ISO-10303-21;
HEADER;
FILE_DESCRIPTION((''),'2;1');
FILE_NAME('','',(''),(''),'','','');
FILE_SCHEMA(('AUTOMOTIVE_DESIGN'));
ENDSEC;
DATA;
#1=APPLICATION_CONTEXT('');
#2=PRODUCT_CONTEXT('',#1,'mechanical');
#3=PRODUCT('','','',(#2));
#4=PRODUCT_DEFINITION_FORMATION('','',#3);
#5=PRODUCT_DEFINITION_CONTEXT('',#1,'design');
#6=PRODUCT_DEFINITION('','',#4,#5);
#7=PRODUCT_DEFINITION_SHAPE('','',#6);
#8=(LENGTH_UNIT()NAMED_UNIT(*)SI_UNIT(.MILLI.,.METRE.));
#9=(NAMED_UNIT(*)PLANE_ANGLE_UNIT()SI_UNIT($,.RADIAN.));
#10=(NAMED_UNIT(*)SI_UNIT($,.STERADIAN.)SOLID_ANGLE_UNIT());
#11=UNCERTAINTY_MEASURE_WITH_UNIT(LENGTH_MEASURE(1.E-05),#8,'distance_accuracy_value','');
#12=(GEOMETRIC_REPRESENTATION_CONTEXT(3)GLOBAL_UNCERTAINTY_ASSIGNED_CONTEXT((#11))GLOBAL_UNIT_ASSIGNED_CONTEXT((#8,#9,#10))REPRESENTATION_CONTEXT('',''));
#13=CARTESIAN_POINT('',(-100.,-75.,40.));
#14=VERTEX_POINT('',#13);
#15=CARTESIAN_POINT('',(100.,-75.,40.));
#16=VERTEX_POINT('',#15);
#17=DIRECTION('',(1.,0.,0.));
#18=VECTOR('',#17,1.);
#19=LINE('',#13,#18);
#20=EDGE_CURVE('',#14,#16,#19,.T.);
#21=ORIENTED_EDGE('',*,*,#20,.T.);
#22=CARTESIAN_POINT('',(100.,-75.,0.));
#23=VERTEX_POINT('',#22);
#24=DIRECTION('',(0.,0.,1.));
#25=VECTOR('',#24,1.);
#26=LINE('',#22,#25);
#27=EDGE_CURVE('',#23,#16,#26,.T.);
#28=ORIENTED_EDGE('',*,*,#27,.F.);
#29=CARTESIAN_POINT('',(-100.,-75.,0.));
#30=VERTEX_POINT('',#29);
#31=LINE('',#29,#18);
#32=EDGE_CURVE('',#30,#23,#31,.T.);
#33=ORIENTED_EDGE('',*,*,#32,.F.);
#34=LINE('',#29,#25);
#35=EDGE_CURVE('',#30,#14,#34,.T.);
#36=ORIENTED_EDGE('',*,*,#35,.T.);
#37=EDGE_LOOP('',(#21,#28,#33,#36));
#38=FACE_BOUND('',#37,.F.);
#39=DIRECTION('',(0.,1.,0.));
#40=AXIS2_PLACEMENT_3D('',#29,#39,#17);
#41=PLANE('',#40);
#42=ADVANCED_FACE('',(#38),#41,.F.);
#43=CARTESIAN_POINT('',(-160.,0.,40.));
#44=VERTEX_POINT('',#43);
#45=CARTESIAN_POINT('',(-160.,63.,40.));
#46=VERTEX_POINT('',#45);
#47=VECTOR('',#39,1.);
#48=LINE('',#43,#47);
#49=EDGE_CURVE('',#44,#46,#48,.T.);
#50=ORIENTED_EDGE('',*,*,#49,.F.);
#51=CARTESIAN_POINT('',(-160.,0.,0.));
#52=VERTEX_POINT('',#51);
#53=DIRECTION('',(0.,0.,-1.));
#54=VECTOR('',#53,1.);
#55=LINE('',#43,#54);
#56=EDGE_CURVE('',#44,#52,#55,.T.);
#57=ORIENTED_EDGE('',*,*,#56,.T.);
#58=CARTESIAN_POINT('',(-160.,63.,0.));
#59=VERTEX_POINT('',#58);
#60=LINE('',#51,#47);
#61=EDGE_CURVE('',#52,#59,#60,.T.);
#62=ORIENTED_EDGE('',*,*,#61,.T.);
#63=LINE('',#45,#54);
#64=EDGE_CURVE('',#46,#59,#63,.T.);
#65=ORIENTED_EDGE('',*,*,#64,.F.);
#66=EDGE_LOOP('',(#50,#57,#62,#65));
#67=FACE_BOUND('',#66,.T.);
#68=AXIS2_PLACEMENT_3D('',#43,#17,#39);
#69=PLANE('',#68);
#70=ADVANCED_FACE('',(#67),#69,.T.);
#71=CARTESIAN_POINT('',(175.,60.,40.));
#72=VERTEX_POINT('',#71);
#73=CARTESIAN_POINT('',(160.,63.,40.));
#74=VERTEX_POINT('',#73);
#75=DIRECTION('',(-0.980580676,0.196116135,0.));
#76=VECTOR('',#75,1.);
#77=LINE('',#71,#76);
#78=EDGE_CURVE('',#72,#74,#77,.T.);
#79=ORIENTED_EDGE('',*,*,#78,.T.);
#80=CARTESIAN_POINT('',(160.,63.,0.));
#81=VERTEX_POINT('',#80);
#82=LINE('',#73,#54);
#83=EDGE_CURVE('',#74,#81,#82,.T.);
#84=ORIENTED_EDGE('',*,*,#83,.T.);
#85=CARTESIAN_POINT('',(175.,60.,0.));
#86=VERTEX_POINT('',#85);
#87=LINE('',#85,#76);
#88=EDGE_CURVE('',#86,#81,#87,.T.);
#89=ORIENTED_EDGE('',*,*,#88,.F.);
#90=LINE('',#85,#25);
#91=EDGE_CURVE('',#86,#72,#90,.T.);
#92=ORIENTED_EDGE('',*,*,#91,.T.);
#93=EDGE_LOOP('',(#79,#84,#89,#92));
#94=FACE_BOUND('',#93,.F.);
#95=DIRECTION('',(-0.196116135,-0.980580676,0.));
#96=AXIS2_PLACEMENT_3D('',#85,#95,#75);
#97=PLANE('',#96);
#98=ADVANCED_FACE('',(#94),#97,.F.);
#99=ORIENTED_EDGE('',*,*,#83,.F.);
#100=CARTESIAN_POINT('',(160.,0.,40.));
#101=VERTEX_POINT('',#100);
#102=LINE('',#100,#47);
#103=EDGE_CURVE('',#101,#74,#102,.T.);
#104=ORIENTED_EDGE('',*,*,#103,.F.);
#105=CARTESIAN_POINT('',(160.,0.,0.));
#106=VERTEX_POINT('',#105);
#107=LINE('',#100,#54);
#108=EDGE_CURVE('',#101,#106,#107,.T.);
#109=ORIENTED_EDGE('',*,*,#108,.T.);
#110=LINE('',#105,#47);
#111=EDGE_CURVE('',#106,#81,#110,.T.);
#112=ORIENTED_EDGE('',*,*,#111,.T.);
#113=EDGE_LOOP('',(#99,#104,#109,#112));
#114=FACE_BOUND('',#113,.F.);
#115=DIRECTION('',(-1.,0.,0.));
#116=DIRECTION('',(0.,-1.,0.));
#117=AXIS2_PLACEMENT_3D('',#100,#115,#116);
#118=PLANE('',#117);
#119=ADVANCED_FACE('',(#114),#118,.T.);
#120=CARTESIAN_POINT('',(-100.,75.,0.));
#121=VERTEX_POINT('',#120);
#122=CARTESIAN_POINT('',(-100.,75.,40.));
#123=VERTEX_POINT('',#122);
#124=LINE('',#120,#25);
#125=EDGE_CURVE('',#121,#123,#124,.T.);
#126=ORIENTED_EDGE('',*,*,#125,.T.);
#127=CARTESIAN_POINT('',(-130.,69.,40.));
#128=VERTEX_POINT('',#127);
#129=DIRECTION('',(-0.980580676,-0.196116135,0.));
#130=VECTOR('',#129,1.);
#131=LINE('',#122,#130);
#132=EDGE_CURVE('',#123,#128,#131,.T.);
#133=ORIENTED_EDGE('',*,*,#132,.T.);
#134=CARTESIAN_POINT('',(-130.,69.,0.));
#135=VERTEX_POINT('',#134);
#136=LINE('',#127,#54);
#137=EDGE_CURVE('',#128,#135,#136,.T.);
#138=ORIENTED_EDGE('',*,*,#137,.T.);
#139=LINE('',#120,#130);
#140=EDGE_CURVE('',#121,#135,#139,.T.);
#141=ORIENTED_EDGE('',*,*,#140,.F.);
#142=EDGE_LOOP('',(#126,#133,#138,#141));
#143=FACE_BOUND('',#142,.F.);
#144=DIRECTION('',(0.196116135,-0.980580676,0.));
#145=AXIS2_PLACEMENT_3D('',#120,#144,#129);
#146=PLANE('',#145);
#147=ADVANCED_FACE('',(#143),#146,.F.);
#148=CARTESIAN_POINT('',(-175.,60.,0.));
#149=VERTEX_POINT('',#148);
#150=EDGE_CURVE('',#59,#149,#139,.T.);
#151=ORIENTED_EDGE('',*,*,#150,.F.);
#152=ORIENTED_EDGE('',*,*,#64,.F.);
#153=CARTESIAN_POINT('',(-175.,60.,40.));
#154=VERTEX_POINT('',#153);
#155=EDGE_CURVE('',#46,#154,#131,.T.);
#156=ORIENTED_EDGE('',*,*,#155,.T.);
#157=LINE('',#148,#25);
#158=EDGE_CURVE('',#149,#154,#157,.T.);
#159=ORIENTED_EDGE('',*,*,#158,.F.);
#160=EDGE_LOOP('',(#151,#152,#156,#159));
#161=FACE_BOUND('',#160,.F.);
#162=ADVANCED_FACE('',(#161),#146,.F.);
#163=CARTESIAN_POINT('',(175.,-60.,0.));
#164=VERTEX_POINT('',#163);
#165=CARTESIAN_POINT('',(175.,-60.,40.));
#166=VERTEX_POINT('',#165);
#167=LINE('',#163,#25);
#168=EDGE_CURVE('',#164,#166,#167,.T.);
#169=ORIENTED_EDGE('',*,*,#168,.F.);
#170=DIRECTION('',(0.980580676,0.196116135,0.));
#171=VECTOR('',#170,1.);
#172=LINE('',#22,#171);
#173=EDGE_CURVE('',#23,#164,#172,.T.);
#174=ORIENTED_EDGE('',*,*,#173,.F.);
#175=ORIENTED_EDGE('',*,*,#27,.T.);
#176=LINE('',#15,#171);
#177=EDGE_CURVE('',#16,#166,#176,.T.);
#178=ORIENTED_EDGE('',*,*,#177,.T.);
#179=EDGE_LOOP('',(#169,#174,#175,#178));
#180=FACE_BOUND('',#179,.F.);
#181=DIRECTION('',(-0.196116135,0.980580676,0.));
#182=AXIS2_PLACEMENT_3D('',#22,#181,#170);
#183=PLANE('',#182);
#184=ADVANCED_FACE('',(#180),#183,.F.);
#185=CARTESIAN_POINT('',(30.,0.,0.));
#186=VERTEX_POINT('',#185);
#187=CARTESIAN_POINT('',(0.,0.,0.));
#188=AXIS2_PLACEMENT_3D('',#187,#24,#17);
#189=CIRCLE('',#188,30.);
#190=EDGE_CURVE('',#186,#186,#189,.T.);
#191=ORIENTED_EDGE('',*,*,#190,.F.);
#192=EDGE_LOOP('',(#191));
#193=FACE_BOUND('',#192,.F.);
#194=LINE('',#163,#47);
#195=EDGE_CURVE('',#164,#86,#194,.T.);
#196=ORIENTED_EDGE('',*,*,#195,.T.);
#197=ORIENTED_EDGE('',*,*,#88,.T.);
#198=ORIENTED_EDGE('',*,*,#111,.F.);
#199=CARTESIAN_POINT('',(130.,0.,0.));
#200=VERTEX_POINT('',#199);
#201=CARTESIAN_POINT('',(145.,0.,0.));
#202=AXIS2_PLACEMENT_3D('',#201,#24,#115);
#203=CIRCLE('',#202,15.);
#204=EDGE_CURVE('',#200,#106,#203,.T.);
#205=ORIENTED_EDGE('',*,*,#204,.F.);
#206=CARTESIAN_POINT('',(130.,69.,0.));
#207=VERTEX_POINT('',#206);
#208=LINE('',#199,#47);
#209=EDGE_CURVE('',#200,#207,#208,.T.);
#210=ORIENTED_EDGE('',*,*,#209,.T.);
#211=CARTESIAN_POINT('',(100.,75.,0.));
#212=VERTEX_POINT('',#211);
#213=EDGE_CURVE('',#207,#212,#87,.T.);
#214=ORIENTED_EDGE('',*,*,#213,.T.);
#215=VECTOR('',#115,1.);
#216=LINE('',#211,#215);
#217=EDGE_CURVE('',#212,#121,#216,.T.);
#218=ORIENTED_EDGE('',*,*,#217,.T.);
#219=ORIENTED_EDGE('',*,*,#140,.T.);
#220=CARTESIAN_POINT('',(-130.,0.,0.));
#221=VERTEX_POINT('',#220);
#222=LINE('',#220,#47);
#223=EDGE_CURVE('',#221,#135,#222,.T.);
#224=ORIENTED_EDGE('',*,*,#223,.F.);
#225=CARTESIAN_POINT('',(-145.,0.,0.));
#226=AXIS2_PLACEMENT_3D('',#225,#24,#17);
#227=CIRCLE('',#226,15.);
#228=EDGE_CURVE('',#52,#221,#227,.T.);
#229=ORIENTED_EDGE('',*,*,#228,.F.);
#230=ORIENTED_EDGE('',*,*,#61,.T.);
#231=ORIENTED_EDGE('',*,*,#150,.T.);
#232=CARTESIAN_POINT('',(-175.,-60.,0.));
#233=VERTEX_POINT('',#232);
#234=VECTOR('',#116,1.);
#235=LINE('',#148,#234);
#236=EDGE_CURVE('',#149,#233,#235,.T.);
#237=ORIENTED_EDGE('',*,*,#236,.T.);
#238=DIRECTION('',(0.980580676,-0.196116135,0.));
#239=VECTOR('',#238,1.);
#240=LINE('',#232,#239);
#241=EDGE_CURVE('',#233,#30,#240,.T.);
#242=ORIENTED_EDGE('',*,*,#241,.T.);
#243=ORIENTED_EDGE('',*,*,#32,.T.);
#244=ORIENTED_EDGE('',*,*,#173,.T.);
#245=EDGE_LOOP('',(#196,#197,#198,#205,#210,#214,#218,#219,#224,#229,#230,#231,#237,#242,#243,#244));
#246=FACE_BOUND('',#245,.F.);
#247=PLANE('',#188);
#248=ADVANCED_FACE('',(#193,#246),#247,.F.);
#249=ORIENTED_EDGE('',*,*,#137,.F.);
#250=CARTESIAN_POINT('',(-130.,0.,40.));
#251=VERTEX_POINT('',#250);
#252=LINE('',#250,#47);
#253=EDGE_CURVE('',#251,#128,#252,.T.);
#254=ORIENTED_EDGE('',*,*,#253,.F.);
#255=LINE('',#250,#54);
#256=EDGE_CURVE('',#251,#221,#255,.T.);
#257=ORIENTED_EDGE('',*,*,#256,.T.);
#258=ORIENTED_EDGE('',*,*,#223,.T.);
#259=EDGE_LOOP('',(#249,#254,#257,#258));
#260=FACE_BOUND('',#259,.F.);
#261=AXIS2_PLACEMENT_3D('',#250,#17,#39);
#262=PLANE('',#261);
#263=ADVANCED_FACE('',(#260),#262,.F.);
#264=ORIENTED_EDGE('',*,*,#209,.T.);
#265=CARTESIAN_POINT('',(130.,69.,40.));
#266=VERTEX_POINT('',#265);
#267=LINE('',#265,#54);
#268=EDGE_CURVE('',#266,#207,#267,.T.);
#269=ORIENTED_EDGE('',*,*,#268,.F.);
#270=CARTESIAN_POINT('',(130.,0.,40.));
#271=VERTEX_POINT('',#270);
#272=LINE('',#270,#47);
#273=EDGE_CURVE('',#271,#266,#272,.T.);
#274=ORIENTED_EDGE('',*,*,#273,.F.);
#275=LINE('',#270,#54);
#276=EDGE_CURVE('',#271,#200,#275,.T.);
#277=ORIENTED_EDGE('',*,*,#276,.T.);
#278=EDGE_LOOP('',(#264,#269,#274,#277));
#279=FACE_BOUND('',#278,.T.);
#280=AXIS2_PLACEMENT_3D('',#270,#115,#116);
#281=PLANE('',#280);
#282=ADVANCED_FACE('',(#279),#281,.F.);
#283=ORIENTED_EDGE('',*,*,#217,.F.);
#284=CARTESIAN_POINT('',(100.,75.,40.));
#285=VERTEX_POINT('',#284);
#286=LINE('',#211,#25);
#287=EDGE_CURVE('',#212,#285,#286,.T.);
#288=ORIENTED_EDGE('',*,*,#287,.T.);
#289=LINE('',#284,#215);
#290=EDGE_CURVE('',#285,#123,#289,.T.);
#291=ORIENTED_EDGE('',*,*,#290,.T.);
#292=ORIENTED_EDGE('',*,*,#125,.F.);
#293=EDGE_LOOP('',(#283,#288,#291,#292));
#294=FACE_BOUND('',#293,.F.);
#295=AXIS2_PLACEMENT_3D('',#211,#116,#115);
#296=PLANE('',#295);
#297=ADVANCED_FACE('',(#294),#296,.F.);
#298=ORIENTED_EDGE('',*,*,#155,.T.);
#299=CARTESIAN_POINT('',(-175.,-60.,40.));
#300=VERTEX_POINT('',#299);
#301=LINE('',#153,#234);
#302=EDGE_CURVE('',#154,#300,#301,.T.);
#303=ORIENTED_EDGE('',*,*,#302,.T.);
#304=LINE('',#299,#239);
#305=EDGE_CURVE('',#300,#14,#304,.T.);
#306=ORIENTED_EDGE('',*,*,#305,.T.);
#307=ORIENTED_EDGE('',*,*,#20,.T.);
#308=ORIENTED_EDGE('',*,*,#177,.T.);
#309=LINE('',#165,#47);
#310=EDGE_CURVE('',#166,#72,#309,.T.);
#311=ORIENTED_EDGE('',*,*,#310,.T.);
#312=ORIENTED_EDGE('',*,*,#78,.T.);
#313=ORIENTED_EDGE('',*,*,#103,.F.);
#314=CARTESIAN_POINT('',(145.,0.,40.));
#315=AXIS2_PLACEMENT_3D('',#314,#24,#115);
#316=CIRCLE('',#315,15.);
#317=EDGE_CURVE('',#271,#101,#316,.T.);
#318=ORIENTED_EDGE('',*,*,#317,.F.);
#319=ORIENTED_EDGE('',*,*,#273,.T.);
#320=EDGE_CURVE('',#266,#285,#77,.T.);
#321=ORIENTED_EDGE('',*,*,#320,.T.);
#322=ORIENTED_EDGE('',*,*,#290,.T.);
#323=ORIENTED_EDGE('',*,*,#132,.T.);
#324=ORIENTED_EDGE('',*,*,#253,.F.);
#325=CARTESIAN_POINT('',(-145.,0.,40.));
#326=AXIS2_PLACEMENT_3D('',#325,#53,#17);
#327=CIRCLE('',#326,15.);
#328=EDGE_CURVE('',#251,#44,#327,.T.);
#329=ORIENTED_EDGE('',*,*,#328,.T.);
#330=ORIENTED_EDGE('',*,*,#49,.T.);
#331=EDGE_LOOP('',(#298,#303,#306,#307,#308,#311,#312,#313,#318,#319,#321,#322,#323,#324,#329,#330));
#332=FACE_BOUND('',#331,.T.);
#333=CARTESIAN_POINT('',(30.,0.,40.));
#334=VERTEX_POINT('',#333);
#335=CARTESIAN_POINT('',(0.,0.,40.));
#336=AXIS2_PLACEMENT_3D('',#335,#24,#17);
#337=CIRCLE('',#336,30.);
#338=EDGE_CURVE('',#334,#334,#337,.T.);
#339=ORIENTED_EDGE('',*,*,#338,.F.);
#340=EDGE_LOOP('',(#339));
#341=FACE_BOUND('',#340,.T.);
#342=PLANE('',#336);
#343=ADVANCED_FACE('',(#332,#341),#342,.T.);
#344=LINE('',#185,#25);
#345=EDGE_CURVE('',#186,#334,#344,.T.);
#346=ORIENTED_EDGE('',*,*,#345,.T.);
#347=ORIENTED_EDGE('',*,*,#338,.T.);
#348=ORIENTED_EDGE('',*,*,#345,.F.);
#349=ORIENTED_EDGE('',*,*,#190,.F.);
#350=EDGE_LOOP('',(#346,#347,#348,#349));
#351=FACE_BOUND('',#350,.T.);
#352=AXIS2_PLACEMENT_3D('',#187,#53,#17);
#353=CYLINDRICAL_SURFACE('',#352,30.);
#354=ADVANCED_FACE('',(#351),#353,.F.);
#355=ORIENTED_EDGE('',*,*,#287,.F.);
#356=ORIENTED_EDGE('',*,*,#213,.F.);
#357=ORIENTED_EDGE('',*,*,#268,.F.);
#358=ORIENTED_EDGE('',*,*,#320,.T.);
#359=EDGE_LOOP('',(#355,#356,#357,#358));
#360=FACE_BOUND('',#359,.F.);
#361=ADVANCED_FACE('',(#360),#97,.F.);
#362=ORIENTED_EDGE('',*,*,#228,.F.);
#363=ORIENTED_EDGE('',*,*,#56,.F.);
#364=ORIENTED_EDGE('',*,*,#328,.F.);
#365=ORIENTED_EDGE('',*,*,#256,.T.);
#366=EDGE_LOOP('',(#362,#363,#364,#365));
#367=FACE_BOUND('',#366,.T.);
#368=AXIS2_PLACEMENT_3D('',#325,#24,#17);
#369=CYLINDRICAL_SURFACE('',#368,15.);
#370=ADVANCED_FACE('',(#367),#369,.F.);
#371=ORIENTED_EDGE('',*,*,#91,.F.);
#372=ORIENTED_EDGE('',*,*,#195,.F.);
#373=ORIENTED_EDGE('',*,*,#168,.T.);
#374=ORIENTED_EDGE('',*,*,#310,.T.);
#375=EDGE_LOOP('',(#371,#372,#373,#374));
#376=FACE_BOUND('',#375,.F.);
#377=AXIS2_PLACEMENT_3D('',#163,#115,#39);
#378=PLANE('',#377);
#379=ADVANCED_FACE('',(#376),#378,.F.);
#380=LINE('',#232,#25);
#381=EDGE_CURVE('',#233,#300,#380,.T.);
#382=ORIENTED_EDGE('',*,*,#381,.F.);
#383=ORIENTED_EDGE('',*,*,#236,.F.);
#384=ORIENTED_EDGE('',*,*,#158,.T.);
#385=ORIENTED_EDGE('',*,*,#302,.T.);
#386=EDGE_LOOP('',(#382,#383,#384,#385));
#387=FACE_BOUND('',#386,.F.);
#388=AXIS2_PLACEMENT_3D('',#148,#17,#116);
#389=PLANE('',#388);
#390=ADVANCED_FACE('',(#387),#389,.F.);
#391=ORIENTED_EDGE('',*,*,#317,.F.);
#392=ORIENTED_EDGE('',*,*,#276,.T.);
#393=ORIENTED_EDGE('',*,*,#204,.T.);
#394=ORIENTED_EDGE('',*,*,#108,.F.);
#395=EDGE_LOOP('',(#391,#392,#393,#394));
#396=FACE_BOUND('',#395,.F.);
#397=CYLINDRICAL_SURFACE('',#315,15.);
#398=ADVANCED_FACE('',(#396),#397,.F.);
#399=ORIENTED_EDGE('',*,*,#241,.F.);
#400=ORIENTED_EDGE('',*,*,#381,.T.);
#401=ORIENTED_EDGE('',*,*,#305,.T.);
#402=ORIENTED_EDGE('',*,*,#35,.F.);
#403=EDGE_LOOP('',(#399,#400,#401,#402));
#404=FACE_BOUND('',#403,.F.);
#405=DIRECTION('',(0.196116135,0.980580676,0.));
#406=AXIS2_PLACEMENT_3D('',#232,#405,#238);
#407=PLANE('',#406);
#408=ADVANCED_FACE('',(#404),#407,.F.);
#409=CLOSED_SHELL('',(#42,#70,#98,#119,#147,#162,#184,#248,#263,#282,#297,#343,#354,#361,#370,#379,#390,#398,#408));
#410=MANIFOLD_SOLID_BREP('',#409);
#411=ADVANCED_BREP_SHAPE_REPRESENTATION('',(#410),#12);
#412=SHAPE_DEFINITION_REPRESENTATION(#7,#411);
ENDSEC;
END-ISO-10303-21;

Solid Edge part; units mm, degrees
sketch "Sketch1" plane through (0, 0, 0) normal (0, 0, 1) x (1, 0, 0)
  line L0 (-175, 60) -> (-175, -60)
  line L1 (-175, -60) -> (-100, -75)
  line L2 (-100, -75) -> (100, -75)
  line L3 (100, -75) -> (175, -60)
  line L4 (175, -60) -> (175, 60)
  line L5 (175, 60) -> (100, 75)
  line L6 (100, 75) -> (-100, 75)
  line L7 (-100, 75) -> (-175, 60)
  circle A0 centre (0, 0) radius 30
  dimension "D1" = 75
  dimension "D2" = 75
  dimension "D3" = 350
  dimension "D4" = 200
  dimension "D5" = 120
  dimension "D6" = 60
extrude "Protrusion1" add sketch "Sketch1" along normal blind 40
sketch "Sketch2" plane through (0, 0, 40) normal (0, 0, 1) x (1, 0, 0)
  line L0 (-160, 0) -> (-160, 63)
  line L1 (-160, 63) -> (-130, 69)
  line L2 (-130, 0) -> (-130, 69)
  arc A0 (-130, 0) -> (-160, 0) centre (-145, 0) cw
extrude "ExtrudedCutout_1" cut sketch "Sketch2" against normal blind 266.7716
mirror "Mirror1" about plane through (0, 0, 0) normal (1, 0, 0) of "ExtrudedCutout_1"
